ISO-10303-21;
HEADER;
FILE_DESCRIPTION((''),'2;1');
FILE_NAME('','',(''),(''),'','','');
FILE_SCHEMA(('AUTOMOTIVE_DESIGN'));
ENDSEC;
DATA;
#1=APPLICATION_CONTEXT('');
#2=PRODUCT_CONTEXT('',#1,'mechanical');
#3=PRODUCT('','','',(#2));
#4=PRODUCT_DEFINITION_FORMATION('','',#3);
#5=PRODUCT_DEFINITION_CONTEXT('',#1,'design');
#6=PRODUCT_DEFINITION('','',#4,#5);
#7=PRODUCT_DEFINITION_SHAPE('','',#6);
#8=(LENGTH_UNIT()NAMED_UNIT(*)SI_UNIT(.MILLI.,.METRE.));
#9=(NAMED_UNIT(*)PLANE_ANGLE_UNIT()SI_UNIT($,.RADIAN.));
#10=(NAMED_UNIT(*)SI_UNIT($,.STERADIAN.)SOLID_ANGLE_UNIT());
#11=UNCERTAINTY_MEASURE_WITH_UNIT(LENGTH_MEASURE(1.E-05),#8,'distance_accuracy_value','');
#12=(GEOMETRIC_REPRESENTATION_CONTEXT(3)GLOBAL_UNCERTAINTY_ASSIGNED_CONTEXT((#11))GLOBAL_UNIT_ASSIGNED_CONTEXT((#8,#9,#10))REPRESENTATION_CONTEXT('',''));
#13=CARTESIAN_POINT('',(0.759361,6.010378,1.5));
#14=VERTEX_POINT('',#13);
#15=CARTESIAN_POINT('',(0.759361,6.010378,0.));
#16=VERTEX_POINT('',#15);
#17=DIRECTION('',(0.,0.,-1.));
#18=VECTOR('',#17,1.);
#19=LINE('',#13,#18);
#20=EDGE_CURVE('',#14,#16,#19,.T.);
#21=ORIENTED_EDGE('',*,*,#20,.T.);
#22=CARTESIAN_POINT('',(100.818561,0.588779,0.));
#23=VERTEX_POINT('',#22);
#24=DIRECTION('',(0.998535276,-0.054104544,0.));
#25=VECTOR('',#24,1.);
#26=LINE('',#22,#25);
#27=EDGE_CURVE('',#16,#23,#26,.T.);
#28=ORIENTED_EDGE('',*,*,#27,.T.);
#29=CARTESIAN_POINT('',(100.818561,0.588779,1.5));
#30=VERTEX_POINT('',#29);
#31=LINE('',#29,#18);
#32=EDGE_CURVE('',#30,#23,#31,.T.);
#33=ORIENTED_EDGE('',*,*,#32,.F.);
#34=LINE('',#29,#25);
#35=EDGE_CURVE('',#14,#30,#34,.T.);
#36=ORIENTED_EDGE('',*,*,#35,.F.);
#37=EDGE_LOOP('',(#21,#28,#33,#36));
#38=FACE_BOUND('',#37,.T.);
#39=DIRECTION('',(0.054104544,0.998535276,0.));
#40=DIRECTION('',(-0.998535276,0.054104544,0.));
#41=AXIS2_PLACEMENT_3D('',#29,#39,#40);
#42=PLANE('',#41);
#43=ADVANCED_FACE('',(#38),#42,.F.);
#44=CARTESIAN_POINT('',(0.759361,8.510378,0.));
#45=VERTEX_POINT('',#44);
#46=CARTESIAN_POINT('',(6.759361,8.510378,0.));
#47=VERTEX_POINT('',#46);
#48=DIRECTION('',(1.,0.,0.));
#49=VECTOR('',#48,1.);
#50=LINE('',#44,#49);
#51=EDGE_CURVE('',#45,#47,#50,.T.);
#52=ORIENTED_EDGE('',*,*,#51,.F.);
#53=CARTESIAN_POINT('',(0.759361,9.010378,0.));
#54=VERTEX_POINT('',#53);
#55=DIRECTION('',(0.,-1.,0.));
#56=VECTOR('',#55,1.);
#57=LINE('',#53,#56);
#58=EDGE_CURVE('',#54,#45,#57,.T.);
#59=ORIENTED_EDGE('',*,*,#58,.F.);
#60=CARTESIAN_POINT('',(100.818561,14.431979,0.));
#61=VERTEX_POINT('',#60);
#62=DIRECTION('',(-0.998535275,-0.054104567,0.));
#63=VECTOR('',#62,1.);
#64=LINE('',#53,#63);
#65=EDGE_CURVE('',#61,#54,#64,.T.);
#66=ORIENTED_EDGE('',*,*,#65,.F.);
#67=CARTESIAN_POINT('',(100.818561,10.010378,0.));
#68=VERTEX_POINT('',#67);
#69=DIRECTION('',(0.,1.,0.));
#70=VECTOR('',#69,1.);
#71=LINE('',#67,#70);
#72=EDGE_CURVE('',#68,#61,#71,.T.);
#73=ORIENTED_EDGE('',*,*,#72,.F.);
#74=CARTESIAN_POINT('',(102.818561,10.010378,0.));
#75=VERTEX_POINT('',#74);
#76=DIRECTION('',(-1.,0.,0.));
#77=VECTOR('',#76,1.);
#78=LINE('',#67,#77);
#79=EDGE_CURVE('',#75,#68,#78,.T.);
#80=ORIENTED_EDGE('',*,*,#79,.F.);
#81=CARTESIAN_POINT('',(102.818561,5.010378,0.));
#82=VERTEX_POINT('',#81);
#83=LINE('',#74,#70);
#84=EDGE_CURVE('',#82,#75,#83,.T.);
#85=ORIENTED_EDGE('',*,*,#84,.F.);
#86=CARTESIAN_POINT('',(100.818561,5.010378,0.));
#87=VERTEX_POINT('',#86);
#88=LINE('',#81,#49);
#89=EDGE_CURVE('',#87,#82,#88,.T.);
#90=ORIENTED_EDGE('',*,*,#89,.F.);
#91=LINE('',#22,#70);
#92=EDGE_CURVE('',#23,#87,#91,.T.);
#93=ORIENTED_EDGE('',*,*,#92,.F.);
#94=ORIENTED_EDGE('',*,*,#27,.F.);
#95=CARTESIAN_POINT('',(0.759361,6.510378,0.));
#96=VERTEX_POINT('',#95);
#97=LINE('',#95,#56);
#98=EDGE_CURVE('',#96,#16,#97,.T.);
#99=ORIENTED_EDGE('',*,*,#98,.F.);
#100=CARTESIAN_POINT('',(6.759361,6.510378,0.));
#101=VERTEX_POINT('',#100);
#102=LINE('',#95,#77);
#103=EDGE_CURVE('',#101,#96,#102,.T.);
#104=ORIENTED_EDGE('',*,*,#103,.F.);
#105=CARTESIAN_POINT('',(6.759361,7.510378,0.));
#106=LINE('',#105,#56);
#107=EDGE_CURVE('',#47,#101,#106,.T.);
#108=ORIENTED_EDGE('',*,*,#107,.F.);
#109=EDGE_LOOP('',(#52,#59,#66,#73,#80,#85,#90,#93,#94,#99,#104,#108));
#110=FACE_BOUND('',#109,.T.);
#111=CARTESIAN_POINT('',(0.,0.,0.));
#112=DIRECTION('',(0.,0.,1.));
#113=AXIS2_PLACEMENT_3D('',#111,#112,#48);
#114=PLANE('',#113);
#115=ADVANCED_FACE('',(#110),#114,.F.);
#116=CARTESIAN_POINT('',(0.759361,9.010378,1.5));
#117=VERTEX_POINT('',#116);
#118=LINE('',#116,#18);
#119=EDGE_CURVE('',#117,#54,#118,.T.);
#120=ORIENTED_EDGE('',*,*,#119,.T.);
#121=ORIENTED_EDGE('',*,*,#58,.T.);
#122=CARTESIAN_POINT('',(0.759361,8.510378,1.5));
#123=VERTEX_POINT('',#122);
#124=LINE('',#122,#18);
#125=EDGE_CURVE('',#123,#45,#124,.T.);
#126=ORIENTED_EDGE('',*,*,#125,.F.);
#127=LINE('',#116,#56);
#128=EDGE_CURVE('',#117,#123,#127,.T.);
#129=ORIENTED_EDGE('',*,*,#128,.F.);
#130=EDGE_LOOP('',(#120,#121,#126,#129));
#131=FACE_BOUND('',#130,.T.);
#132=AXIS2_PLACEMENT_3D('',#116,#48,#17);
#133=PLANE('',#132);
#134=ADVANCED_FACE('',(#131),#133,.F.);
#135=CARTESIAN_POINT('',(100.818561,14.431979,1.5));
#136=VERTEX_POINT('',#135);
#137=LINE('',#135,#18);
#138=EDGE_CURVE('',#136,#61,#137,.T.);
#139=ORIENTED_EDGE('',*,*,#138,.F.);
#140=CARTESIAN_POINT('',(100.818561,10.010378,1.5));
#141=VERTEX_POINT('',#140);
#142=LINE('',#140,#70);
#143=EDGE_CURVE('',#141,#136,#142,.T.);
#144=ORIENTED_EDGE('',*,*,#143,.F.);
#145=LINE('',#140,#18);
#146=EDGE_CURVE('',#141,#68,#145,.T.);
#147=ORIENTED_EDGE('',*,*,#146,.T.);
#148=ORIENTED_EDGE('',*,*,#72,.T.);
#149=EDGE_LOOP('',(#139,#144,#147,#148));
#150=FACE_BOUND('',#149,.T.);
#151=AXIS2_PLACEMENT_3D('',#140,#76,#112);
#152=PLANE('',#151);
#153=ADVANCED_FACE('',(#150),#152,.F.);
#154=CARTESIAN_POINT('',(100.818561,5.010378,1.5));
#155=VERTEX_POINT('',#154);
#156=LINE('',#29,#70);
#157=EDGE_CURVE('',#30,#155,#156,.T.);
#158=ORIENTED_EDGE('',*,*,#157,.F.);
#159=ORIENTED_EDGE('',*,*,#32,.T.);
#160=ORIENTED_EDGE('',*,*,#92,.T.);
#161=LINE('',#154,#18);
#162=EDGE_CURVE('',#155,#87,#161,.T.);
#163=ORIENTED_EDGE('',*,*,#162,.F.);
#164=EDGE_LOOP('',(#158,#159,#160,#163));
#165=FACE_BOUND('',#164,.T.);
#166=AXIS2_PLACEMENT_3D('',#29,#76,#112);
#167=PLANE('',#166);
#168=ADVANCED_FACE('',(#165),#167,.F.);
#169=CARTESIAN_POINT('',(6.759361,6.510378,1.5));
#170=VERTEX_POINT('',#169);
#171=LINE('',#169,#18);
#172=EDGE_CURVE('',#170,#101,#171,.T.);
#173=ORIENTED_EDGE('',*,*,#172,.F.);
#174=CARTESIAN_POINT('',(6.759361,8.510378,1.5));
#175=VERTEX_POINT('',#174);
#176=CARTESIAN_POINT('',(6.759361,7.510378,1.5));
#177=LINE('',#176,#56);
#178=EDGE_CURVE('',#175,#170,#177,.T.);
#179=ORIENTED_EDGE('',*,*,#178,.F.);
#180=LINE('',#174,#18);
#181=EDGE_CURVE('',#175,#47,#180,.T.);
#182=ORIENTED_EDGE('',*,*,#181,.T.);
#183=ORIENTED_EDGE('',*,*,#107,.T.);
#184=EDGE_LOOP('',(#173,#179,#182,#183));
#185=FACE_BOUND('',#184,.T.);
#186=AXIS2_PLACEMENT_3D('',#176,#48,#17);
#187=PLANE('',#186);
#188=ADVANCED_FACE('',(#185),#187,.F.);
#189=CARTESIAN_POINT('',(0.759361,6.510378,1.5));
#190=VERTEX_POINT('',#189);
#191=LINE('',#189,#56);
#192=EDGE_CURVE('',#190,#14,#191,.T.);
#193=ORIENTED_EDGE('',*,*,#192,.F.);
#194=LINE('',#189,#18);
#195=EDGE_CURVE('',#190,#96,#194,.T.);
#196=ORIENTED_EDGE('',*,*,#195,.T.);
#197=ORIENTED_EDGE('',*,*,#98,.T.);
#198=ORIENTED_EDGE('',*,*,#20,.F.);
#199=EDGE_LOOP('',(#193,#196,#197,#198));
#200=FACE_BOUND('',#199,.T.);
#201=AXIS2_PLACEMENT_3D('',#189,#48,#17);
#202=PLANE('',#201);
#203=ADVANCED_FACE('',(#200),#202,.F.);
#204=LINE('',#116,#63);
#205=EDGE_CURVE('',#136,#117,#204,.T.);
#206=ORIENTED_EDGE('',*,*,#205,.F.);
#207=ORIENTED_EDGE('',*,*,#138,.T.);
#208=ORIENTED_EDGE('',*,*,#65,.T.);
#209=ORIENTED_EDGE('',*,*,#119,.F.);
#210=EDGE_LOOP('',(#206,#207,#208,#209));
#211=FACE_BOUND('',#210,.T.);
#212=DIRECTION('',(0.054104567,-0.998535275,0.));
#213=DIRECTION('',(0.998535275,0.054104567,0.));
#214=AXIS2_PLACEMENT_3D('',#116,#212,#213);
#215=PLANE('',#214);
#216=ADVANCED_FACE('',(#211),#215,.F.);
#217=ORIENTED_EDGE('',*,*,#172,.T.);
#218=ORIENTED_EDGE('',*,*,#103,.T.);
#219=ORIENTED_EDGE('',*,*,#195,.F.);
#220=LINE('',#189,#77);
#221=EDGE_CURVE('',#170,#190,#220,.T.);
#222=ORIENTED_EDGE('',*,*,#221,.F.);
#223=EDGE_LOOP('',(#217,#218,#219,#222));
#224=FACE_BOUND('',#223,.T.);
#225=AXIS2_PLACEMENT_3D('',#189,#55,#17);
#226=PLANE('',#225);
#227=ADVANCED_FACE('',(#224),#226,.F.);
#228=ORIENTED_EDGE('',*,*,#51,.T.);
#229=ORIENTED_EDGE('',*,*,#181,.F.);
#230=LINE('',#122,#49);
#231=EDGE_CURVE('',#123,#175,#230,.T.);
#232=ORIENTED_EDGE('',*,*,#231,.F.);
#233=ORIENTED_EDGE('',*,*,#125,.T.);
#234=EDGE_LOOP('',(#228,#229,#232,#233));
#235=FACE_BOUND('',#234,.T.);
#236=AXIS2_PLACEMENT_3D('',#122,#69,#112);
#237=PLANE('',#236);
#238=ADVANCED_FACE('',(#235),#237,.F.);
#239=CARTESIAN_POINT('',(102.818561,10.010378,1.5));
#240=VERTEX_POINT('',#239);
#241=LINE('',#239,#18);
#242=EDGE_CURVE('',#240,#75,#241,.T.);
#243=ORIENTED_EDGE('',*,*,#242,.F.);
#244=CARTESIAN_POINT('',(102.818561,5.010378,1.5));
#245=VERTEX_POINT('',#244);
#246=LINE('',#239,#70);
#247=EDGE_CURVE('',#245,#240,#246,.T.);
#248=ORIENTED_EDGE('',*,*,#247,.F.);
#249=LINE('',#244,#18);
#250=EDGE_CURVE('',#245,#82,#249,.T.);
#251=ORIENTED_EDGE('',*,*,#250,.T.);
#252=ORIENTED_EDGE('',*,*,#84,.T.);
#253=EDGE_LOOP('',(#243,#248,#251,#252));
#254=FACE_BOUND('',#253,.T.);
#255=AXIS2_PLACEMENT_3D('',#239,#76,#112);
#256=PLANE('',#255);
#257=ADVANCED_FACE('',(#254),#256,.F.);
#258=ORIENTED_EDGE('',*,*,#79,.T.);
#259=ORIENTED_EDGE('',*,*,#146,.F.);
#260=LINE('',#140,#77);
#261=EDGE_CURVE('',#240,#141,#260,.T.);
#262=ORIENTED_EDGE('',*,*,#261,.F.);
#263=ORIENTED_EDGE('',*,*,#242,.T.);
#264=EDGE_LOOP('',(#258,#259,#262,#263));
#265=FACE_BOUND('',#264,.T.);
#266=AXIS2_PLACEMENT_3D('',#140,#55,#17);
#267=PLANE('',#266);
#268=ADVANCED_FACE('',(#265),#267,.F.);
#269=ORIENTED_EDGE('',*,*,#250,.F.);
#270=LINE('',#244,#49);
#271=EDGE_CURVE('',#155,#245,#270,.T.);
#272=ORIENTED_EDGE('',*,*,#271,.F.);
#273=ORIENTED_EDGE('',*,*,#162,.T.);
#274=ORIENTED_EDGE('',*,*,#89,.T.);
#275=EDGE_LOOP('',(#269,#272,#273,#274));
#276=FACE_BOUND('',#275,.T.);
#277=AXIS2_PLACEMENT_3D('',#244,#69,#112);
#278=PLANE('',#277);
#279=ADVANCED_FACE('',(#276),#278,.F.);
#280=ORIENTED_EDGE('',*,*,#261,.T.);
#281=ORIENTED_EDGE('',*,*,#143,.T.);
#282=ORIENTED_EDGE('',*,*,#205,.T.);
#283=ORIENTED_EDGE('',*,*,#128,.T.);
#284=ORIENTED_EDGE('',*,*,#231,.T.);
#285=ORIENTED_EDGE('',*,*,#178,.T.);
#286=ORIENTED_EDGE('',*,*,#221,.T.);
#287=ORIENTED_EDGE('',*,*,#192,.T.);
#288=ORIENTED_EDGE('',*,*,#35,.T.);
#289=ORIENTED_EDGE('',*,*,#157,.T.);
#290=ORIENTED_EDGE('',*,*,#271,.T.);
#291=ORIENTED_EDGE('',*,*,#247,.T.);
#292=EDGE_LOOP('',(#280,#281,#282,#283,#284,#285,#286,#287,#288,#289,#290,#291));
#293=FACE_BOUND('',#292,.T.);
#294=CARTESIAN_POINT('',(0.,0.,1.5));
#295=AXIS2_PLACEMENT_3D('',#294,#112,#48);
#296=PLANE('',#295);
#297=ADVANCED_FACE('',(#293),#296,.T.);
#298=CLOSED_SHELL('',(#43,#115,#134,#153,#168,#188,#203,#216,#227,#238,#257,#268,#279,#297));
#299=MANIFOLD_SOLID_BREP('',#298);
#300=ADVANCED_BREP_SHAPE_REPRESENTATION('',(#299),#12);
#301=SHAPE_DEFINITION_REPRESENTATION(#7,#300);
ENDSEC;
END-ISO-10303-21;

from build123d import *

# Parameters (mm, degrees)
EXTRUDE_1_DEPTH = 1.5


with BuildPart() as part:
    # Model → 凸台-拉伸1 (new body)
    with BuildSketch(Plane.XY):
        Polygon((100.818561425, 0.588779312), (100.818561425, 5.010377872), (102.818561425, 5.010377872), (102.818561425, 10.010377872), (100.818561425, 10.010377872), (100.818561425, 14.431978731), (0.759361425, 9.010377872), (0.759361425, 8.510377872), (6.759361425, 8.510377872), (6.759361425, 7.510377872), (6.759361425, 6.510377872), (0.759361425, 6.510377872), (0.759361425, 6.010377872), align=None)
    extrude(amount=EXTRUDE_1_DEPTH)


solid = part.part
